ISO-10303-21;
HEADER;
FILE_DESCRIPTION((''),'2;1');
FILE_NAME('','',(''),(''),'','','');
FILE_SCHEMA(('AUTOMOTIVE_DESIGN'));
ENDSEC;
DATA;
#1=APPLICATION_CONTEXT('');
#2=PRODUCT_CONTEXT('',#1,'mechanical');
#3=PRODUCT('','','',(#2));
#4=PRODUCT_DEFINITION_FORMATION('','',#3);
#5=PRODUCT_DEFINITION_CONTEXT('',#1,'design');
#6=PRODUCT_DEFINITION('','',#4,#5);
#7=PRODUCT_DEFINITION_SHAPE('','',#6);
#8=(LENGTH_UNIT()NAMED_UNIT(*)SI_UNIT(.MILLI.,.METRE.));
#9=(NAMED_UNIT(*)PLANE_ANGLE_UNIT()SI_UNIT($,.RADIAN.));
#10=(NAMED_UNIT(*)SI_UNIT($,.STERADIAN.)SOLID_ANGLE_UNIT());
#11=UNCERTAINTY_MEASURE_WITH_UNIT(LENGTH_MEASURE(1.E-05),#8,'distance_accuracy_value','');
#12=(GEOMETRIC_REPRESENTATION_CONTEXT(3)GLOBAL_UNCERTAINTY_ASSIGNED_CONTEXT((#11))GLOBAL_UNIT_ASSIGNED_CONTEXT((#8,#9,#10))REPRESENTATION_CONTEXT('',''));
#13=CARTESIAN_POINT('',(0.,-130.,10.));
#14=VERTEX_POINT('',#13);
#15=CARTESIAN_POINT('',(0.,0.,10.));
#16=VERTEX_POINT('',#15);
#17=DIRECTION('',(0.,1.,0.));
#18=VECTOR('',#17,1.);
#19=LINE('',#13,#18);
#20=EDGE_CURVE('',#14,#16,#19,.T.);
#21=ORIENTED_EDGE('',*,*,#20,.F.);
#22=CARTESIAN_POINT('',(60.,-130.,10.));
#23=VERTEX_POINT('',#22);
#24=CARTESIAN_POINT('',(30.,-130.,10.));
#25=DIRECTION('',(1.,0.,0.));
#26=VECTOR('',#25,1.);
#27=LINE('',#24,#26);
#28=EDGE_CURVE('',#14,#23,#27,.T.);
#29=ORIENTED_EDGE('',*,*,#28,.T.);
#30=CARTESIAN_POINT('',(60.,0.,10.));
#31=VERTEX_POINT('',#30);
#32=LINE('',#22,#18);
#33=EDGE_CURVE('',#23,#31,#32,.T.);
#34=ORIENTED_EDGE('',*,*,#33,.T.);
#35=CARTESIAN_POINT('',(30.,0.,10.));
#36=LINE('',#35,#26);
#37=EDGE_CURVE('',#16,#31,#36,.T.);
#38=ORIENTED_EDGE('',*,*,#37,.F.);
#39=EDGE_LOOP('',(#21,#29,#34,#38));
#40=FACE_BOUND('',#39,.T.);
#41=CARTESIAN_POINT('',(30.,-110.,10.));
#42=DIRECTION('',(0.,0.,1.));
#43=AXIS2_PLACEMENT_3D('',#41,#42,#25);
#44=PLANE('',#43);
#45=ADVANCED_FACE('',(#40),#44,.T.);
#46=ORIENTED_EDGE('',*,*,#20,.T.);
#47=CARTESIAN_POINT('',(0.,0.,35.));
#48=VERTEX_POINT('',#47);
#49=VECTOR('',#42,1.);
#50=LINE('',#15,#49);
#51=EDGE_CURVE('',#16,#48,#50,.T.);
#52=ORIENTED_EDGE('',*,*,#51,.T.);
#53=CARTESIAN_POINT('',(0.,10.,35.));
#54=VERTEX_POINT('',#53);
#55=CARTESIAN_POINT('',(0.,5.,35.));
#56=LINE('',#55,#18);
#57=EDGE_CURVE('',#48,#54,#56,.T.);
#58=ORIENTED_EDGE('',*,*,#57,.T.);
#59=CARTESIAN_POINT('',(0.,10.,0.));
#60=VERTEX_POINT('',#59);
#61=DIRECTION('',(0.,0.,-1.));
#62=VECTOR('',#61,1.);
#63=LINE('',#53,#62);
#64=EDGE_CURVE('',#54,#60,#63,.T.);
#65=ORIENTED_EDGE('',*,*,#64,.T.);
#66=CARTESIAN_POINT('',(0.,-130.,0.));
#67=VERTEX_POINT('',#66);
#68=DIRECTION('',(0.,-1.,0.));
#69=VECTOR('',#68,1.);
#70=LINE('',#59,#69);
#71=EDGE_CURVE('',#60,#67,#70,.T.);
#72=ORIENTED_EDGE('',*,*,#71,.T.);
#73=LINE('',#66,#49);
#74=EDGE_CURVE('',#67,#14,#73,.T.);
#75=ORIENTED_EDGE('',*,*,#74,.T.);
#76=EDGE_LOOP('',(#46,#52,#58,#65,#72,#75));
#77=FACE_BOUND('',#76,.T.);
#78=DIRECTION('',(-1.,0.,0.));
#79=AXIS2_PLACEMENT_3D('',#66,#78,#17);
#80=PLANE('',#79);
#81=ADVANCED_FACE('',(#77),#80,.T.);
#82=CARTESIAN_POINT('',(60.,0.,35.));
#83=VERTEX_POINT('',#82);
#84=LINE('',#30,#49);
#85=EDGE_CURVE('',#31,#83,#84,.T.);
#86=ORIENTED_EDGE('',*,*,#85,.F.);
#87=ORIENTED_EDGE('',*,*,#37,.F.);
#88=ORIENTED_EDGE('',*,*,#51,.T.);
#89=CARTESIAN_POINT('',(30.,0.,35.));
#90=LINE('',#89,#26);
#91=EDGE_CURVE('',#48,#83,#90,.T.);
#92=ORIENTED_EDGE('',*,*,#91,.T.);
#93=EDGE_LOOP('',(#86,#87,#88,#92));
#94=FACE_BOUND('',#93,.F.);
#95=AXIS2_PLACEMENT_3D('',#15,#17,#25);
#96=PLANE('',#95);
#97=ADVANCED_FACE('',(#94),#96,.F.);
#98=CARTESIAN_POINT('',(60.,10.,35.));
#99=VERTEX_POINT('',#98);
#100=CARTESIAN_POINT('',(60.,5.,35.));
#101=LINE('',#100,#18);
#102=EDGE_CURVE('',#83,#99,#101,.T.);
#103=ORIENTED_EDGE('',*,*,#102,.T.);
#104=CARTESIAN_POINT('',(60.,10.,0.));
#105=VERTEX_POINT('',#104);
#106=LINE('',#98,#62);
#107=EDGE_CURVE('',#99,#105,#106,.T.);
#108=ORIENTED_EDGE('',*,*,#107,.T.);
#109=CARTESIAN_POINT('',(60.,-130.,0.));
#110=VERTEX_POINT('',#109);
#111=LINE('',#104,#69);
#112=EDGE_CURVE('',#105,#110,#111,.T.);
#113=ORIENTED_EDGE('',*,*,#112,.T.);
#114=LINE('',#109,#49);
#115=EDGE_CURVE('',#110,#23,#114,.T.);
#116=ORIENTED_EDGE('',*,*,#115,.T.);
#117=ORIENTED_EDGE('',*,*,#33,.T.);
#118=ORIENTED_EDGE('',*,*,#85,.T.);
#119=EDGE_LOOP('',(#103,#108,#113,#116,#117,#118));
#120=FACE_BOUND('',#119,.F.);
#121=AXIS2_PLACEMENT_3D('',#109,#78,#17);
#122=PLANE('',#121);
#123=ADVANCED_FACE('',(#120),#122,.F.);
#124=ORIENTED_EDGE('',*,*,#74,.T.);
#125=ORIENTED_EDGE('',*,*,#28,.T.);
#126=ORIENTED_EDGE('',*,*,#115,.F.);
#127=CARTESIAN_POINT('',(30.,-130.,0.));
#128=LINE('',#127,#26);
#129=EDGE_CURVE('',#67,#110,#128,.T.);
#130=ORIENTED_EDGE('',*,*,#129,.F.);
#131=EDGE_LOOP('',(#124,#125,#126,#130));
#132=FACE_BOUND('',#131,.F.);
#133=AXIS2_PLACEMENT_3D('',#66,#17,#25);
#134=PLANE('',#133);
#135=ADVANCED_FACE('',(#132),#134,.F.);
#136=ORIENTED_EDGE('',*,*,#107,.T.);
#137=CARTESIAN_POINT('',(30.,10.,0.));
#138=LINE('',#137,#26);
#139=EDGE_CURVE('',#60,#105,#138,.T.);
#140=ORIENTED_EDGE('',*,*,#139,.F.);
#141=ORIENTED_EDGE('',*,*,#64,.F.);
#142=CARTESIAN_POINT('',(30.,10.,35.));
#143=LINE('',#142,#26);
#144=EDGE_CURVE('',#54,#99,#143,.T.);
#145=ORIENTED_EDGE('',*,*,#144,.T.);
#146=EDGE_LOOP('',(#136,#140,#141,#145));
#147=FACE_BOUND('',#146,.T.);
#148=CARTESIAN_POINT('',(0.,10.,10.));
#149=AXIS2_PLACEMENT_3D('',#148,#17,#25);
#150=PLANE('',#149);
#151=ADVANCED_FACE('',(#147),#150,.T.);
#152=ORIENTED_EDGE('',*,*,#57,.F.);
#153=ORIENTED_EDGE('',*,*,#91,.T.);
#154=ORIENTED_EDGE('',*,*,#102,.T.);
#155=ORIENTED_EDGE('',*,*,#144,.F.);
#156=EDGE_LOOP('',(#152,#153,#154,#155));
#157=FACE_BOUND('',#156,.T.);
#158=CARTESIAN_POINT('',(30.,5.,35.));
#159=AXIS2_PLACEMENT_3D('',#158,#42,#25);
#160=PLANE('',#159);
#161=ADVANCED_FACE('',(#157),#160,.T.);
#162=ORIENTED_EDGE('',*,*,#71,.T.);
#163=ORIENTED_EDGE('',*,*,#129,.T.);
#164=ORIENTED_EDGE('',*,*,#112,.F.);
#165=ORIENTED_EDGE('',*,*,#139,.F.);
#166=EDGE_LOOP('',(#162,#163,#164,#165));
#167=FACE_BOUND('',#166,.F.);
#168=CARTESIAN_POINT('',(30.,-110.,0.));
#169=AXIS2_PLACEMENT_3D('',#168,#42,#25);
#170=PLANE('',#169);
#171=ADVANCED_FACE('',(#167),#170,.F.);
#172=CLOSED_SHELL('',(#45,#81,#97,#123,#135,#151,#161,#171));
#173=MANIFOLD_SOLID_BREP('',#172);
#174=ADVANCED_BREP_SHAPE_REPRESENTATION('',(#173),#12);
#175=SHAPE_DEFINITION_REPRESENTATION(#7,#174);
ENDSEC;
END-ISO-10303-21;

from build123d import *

# Parameters (mm, degrees)
BOX002_W     = 60
BOX002_H     = 40
BOX002_DEPTH = 10
BOX001_W     = 60
BOX001_H     = 10
BOX001_DEPTH = 25
BOX_W        = 60
BOX_H        = 100
BOX_DEPTH    = 10


with BuildPart() as cubo002:
    # Box002 → Box002 (new body)
    with BuildSketch(Plane(origin=(0, -130, 0), x_dir=(1, 0, 0), z_dir=(0, 0, 1))):
        with Locations((30, 20)):
            Rectangle(BOX002_W, BOX002_H)
    extrude(amount=BOX002_DEPTH)


with BuildPart() as cubo001:
    # Box001 → Box001 (new body)
    with BuildSketch(Plane.XY.offset(10)):
        with Locations((30, 5)):
            Rectangle(BOX001_W, BOX001_H)
    extrude(amount=BOX001_DEPTH)


with BuildPart() as fusion001:
    # Box → Box (new body)
    with BuildSketch(Plane(origin=(0, -90, 0), x_dir=(1, 0, 0), z_dir=(0, 0, 1))):
        with Locations((30, 50)):
            Rectangle(BOX_W, BOX_H)
    extrude(amount=BOX_DEPTH)

    # Fusion: union Cubo001
    add(cubo001.part)

    # Fusion001: union Cubo002
    add(cubo002.part)


solid = fusion001.part
